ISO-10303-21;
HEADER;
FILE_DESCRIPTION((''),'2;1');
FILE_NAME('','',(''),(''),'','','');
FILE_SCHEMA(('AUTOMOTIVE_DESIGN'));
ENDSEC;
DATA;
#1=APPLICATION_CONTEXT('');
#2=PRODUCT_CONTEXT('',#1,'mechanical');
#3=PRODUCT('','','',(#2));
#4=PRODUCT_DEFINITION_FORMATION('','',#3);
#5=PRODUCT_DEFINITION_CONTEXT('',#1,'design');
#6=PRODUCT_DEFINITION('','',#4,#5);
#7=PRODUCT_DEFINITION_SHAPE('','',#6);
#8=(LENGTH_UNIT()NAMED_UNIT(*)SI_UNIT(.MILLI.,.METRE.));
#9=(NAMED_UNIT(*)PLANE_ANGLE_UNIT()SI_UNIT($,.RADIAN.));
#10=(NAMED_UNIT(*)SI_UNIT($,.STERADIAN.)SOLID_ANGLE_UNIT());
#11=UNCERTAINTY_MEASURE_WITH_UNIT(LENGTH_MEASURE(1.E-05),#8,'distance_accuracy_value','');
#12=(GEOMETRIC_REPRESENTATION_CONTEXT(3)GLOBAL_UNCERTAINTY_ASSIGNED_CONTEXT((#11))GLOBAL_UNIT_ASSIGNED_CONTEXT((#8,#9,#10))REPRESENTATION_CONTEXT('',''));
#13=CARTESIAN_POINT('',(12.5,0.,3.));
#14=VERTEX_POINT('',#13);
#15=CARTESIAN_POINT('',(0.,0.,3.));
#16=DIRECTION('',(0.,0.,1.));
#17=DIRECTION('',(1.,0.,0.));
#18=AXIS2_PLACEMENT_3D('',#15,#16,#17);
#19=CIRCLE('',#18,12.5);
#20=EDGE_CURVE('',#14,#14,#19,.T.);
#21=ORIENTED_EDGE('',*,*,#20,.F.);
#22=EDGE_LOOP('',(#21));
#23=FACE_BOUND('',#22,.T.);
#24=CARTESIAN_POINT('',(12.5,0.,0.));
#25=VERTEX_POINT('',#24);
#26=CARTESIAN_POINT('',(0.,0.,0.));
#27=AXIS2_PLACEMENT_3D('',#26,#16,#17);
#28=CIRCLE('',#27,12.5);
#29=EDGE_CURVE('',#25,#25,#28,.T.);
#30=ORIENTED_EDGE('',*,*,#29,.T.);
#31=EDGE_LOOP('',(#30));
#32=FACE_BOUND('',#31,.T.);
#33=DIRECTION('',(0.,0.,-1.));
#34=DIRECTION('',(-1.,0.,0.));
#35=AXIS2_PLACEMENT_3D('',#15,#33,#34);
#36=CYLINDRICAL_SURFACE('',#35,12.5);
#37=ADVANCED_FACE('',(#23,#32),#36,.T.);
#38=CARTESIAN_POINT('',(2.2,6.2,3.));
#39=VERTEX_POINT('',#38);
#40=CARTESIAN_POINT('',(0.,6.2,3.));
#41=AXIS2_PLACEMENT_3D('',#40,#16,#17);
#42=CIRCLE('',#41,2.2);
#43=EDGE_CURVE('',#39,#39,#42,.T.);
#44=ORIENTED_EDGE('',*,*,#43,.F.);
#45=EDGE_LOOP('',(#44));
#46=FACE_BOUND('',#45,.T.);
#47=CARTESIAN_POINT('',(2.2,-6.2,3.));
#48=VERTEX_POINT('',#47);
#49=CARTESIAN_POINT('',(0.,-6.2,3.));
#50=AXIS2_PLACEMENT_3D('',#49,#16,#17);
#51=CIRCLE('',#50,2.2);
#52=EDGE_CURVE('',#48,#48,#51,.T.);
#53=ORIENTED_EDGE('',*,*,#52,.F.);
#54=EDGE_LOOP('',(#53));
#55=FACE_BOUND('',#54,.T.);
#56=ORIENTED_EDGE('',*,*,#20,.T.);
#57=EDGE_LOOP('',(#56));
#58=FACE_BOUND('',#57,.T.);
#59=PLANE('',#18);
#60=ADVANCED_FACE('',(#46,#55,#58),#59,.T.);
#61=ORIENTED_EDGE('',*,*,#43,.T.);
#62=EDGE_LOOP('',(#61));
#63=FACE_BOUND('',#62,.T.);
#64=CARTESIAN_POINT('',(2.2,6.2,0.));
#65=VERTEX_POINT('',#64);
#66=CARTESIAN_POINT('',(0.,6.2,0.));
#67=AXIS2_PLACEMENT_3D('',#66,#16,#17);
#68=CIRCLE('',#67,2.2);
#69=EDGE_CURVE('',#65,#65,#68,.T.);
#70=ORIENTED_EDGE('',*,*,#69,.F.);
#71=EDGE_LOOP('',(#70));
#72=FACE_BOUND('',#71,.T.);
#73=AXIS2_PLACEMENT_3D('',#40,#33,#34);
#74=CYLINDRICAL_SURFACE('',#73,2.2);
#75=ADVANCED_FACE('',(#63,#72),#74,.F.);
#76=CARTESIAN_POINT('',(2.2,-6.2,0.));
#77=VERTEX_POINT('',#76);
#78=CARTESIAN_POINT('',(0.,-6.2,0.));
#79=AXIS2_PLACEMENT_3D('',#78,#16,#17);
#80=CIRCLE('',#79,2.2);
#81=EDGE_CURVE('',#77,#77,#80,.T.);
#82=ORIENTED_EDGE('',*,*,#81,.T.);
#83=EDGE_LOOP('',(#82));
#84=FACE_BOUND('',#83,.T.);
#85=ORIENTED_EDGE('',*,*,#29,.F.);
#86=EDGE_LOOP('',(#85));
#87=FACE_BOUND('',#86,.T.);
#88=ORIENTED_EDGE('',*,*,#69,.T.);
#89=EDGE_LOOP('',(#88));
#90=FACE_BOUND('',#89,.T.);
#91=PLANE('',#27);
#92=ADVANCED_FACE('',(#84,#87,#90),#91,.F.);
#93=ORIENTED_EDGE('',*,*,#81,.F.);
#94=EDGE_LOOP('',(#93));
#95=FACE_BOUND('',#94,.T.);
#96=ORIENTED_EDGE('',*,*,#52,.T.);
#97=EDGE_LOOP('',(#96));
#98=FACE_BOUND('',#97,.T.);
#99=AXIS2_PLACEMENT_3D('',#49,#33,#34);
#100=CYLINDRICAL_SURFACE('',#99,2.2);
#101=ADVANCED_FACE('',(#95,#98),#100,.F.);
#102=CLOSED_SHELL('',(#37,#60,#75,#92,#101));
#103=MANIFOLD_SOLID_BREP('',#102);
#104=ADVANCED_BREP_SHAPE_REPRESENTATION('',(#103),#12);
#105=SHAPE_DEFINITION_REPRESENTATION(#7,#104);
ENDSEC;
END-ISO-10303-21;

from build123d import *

# Parameters (mm, degrees)
SKETCH_1_R      = 12.5
SKETCH_1_R_2    = 2.2
EXTRUDE_1_DEPTH = 3


with BuildPart() as part:
    # 草图1 → 凸台-拉伸1 (new body)
    with BuildSketch(Plane.XY):
        Circle(SKETCH_1_R)
        with Locations((0, 6.2)):
            Circle(SKETCH_1_R_2, mode=Mode.SUBTRACT)
        with Locations((0, -6.2)):
            Circle(SKETCH_1_R_2, mode=Mode.SUBTRACT)
    extrude(amount=EXTRUDE_1_DEPTH)


solid = part.part
